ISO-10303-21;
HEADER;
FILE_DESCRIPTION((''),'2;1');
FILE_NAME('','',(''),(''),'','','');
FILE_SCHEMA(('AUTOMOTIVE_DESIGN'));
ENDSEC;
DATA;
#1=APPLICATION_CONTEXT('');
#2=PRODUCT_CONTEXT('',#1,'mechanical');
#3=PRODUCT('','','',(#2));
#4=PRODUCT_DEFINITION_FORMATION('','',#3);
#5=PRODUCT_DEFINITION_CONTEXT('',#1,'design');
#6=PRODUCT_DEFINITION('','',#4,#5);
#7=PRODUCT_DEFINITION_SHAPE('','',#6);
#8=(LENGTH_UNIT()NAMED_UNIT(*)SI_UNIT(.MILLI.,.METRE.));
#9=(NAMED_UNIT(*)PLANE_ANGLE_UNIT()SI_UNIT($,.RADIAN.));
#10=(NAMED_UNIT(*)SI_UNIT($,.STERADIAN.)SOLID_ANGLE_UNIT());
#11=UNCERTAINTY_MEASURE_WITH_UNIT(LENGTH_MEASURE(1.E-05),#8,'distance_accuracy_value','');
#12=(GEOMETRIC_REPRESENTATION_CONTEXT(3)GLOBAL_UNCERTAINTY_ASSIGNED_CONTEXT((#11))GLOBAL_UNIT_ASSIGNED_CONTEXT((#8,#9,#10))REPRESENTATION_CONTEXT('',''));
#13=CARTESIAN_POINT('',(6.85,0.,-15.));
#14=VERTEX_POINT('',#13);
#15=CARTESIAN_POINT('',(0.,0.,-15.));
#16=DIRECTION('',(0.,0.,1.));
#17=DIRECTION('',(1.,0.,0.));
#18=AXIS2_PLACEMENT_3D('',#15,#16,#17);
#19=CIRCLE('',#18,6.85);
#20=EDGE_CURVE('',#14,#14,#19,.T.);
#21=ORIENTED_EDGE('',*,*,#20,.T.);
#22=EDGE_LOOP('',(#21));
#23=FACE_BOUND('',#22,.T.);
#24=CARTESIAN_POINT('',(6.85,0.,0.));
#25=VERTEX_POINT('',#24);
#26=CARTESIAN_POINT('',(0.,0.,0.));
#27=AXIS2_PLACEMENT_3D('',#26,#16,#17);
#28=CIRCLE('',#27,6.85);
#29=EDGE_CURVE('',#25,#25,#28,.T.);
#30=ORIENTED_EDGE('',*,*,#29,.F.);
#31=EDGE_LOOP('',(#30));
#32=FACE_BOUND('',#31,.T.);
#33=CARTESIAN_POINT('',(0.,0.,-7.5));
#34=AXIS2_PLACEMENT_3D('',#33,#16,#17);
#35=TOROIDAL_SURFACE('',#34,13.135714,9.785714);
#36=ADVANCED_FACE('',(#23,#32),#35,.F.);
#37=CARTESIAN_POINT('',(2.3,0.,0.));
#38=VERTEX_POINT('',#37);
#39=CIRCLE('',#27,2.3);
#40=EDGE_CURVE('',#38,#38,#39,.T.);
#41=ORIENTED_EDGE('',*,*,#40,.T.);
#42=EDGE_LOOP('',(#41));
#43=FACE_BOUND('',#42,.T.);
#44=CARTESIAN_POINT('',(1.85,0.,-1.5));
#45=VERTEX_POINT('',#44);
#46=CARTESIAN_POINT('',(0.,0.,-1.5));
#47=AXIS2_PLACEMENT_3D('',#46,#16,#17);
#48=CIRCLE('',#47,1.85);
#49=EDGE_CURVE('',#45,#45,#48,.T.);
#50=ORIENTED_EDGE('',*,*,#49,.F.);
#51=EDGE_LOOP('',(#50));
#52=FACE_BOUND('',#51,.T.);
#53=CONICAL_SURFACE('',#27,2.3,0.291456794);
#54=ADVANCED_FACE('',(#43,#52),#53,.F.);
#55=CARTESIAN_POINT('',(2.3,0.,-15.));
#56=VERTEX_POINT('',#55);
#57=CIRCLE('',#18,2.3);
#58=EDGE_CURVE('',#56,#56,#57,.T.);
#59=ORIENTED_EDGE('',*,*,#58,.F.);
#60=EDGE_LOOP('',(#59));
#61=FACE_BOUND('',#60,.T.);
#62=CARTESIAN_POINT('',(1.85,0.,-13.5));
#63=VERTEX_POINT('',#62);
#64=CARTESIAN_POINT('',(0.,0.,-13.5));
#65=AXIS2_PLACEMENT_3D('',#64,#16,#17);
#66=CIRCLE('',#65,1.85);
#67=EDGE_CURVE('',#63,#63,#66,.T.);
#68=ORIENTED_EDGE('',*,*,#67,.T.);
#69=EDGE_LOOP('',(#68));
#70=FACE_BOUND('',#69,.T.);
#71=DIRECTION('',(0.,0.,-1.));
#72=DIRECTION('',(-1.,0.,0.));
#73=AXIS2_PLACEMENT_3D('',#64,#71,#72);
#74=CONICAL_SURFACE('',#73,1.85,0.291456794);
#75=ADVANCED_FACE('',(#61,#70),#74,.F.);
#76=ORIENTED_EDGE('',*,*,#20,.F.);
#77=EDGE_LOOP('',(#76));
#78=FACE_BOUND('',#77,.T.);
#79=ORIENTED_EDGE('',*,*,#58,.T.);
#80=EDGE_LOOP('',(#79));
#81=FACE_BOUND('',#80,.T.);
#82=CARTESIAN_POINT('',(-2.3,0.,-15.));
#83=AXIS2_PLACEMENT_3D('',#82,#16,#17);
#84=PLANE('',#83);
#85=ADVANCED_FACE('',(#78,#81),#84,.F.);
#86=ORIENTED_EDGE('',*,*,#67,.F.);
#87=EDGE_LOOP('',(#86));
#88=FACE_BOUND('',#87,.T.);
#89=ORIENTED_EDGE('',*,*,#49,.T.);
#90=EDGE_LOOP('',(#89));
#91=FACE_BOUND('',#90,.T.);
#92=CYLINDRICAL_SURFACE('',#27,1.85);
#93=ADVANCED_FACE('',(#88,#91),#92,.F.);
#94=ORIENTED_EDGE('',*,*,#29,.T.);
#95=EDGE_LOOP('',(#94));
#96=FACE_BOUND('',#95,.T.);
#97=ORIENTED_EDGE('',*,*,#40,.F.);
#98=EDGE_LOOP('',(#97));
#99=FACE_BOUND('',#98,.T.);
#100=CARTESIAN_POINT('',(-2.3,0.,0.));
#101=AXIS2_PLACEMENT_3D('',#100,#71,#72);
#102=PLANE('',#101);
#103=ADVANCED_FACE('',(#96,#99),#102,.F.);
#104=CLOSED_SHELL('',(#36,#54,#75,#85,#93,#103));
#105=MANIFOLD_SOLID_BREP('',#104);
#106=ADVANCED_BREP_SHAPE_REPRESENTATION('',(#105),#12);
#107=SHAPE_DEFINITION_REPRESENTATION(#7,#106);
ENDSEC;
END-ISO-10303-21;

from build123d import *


with BuildPart() as part:
    # Sketch1 → Revolve1 (revolve)
    with BuildSketch(Plane(origin=(0, 0, 0), x_dir=(1, 0, 0), z_dir=(0, 1, 0))):
        with BuildLine():
            Line((-1.85, 13.5), (-1.85, 1.5))
            Line((-1.85, 1.5), (-2.3, 0))
            Line((-2.3, 0), (-6.85, 0))
            ThreePointArc((-6.85, 0), (-3.35, 7.5), (-6.85, 15))
            Line((-6.85, 15), (-2.3, 15))
            Line((-2.3, 15), (-1.85, 13.5))
        make_face()
    revolve(axis=Axis((0, 0, 0), (0, 0, -1)))


solid = part.part
